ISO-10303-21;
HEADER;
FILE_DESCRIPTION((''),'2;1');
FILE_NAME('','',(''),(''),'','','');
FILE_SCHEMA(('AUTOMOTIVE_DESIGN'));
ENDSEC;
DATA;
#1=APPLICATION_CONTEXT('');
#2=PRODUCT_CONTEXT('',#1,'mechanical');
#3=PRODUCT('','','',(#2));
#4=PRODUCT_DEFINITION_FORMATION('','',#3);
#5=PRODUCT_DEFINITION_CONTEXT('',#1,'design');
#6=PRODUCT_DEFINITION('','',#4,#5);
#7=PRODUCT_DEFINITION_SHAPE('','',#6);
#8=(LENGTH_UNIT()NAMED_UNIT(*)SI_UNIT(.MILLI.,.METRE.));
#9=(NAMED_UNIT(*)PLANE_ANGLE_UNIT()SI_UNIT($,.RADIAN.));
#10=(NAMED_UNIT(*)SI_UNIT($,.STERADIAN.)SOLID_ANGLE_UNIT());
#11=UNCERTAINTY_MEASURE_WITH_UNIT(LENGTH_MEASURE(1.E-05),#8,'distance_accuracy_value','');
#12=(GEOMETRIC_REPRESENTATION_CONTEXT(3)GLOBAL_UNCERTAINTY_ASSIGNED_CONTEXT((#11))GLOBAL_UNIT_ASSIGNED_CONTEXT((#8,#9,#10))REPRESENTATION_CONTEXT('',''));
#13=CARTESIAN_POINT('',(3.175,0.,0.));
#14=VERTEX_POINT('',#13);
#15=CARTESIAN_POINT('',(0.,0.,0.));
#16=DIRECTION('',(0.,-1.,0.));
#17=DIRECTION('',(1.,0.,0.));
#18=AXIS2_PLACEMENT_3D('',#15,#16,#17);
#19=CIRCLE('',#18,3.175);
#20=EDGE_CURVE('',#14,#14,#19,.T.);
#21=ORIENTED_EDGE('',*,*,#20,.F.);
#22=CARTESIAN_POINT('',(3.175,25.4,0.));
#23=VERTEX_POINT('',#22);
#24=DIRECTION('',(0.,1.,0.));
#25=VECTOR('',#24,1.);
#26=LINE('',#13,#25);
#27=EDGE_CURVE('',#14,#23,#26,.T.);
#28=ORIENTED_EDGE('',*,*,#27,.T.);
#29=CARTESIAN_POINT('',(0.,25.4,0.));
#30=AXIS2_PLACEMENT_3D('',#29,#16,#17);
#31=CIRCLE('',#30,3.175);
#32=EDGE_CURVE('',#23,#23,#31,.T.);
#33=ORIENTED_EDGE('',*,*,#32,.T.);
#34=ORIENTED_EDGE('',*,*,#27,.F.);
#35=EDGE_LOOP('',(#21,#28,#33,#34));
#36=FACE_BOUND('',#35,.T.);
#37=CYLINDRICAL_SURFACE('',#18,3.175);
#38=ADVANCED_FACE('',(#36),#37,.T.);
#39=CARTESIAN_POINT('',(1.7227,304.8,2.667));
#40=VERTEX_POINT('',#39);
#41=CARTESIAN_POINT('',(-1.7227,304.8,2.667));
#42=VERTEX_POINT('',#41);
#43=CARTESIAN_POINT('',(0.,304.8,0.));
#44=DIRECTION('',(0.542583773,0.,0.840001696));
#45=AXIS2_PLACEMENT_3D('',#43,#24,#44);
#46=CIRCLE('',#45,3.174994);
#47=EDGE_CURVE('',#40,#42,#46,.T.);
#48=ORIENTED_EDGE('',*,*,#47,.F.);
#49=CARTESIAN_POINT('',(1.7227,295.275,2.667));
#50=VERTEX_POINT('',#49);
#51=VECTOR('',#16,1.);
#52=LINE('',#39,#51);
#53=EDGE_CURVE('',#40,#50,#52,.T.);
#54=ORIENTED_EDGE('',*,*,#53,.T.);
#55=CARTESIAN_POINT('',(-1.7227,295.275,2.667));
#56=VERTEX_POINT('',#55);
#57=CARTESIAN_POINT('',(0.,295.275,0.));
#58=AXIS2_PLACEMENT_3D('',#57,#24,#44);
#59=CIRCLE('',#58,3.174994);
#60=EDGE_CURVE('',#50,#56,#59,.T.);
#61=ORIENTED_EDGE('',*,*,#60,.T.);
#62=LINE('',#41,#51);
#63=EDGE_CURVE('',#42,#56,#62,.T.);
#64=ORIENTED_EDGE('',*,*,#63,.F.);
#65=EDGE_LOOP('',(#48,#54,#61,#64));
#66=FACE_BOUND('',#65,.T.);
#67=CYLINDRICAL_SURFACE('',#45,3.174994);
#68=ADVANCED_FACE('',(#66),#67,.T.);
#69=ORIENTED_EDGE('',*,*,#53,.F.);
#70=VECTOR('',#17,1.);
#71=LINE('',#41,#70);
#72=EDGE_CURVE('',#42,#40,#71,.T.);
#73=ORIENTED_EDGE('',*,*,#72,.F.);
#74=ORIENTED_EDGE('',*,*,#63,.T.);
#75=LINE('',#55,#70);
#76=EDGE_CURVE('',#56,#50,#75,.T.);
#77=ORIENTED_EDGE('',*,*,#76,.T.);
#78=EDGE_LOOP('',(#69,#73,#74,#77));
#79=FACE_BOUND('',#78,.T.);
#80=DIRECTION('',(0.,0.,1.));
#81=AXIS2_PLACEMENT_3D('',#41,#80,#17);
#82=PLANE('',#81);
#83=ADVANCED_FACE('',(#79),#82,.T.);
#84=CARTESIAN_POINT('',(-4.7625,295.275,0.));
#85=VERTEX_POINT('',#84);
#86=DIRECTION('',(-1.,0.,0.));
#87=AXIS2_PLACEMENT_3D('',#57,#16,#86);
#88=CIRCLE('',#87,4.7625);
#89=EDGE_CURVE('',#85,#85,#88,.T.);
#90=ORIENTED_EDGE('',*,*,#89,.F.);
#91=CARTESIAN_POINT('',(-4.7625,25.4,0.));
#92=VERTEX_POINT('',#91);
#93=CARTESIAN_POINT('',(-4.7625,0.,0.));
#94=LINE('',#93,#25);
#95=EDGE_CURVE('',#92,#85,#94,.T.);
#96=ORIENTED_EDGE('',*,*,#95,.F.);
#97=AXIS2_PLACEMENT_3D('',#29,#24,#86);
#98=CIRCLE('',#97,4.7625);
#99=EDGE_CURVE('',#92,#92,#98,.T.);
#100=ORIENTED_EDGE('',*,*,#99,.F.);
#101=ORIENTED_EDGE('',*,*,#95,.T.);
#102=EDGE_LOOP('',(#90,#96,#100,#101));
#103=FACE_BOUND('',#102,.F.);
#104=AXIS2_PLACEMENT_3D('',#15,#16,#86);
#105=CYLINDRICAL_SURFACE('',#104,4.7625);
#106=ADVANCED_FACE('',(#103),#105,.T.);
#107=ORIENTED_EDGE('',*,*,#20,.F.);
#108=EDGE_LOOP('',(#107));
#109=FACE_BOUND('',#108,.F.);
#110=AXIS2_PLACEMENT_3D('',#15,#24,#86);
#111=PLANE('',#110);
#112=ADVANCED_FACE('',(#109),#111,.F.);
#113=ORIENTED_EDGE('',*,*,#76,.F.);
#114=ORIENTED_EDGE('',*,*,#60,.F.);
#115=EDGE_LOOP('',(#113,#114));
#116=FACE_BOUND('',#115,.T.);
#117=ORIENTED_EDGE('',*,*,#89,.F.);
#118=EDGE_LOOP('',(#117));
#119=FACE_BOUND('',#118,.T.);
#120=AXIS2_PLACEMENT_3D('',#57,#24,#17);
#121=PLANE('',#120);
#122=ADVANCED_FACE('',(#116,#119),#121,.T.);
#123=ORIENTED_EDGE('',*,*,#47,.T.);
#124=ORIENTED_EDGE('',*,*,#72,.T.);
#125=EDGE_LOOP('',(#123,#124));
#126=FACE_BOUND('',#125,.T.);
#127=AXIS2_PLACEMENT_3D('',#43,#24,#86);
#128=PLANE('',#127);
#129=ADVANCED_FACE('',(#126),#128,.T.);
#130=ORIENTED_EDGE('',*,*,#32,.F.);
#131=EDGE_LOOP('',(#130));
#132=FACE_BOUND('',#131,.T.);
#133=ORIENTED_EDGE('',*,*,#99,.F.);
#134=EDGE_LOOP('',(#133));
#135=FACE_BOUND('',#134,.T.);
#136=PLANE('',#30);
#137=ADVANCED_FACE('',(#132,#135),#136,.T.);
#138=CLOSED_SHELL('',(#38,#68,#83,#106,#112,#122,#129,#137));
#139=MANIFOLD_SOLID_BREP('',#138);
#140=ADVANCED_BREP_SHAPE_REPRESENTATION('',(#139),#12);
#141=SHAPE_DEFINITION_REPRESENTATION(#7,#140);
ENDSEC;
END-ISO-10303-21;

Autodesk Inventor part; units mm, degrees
ref_plane "YZ Plane" through (0, 0, 0) normal (1, 0, 0) x (0, 1, 0)
ref_plane "XZ Plane" through (0, 0, 0) normal (0, 1, 0) x (-1, 0, 0)
ref_plane "XY Plane" through (0, 0, 0) normal (0, 0, 1) x (1, 0, 0)
sketch "Sketch1" plane through (0, 0, 0) normal (0, 1, 0) x (-1, 0, 0)
  circle A0 centre (0, 0) radius 4.7625
  dimension "d0" = 9.525
extrude "Extrusion1" add sketch "Sketch1" along normal blind 304.8
thread "Thread1" size "3/8-12" class "2B" standard "Inch Tapping Threads" full length
sketch "Sketch2" plane through (0, 304.8, 0) normal (0, 1, 0) x (1, 0, 0)
  circle A0 centre (0, 0) radius 4.7625 projected
  arc A1 (1.7227, -2.667) -> (-1.7227, -2.667) centre (0, 0) ccw
  line L0 (-1.7227, -2.667) -> (1.7227, -2.667)
  dimension "d5" = 6.35
  dimension "d6" = 2.667
extrude "Extrusion2" cut sketch "Sketch2" against normal blind 9.525
sketch "Sketch3" plane through (0, 0, 0) normal (0, -1, 0) x (1, 0, 0)
  circle A0 centre (0, 0) radius 4.7625 projected
  circle A1 centre (0, 0) radius 3.175
  dimension "d9" = 6.35
extrude "Extrusion3" cut sketch "Sketch3" against normal blind 25.4
properties part number "acmeScrew"
